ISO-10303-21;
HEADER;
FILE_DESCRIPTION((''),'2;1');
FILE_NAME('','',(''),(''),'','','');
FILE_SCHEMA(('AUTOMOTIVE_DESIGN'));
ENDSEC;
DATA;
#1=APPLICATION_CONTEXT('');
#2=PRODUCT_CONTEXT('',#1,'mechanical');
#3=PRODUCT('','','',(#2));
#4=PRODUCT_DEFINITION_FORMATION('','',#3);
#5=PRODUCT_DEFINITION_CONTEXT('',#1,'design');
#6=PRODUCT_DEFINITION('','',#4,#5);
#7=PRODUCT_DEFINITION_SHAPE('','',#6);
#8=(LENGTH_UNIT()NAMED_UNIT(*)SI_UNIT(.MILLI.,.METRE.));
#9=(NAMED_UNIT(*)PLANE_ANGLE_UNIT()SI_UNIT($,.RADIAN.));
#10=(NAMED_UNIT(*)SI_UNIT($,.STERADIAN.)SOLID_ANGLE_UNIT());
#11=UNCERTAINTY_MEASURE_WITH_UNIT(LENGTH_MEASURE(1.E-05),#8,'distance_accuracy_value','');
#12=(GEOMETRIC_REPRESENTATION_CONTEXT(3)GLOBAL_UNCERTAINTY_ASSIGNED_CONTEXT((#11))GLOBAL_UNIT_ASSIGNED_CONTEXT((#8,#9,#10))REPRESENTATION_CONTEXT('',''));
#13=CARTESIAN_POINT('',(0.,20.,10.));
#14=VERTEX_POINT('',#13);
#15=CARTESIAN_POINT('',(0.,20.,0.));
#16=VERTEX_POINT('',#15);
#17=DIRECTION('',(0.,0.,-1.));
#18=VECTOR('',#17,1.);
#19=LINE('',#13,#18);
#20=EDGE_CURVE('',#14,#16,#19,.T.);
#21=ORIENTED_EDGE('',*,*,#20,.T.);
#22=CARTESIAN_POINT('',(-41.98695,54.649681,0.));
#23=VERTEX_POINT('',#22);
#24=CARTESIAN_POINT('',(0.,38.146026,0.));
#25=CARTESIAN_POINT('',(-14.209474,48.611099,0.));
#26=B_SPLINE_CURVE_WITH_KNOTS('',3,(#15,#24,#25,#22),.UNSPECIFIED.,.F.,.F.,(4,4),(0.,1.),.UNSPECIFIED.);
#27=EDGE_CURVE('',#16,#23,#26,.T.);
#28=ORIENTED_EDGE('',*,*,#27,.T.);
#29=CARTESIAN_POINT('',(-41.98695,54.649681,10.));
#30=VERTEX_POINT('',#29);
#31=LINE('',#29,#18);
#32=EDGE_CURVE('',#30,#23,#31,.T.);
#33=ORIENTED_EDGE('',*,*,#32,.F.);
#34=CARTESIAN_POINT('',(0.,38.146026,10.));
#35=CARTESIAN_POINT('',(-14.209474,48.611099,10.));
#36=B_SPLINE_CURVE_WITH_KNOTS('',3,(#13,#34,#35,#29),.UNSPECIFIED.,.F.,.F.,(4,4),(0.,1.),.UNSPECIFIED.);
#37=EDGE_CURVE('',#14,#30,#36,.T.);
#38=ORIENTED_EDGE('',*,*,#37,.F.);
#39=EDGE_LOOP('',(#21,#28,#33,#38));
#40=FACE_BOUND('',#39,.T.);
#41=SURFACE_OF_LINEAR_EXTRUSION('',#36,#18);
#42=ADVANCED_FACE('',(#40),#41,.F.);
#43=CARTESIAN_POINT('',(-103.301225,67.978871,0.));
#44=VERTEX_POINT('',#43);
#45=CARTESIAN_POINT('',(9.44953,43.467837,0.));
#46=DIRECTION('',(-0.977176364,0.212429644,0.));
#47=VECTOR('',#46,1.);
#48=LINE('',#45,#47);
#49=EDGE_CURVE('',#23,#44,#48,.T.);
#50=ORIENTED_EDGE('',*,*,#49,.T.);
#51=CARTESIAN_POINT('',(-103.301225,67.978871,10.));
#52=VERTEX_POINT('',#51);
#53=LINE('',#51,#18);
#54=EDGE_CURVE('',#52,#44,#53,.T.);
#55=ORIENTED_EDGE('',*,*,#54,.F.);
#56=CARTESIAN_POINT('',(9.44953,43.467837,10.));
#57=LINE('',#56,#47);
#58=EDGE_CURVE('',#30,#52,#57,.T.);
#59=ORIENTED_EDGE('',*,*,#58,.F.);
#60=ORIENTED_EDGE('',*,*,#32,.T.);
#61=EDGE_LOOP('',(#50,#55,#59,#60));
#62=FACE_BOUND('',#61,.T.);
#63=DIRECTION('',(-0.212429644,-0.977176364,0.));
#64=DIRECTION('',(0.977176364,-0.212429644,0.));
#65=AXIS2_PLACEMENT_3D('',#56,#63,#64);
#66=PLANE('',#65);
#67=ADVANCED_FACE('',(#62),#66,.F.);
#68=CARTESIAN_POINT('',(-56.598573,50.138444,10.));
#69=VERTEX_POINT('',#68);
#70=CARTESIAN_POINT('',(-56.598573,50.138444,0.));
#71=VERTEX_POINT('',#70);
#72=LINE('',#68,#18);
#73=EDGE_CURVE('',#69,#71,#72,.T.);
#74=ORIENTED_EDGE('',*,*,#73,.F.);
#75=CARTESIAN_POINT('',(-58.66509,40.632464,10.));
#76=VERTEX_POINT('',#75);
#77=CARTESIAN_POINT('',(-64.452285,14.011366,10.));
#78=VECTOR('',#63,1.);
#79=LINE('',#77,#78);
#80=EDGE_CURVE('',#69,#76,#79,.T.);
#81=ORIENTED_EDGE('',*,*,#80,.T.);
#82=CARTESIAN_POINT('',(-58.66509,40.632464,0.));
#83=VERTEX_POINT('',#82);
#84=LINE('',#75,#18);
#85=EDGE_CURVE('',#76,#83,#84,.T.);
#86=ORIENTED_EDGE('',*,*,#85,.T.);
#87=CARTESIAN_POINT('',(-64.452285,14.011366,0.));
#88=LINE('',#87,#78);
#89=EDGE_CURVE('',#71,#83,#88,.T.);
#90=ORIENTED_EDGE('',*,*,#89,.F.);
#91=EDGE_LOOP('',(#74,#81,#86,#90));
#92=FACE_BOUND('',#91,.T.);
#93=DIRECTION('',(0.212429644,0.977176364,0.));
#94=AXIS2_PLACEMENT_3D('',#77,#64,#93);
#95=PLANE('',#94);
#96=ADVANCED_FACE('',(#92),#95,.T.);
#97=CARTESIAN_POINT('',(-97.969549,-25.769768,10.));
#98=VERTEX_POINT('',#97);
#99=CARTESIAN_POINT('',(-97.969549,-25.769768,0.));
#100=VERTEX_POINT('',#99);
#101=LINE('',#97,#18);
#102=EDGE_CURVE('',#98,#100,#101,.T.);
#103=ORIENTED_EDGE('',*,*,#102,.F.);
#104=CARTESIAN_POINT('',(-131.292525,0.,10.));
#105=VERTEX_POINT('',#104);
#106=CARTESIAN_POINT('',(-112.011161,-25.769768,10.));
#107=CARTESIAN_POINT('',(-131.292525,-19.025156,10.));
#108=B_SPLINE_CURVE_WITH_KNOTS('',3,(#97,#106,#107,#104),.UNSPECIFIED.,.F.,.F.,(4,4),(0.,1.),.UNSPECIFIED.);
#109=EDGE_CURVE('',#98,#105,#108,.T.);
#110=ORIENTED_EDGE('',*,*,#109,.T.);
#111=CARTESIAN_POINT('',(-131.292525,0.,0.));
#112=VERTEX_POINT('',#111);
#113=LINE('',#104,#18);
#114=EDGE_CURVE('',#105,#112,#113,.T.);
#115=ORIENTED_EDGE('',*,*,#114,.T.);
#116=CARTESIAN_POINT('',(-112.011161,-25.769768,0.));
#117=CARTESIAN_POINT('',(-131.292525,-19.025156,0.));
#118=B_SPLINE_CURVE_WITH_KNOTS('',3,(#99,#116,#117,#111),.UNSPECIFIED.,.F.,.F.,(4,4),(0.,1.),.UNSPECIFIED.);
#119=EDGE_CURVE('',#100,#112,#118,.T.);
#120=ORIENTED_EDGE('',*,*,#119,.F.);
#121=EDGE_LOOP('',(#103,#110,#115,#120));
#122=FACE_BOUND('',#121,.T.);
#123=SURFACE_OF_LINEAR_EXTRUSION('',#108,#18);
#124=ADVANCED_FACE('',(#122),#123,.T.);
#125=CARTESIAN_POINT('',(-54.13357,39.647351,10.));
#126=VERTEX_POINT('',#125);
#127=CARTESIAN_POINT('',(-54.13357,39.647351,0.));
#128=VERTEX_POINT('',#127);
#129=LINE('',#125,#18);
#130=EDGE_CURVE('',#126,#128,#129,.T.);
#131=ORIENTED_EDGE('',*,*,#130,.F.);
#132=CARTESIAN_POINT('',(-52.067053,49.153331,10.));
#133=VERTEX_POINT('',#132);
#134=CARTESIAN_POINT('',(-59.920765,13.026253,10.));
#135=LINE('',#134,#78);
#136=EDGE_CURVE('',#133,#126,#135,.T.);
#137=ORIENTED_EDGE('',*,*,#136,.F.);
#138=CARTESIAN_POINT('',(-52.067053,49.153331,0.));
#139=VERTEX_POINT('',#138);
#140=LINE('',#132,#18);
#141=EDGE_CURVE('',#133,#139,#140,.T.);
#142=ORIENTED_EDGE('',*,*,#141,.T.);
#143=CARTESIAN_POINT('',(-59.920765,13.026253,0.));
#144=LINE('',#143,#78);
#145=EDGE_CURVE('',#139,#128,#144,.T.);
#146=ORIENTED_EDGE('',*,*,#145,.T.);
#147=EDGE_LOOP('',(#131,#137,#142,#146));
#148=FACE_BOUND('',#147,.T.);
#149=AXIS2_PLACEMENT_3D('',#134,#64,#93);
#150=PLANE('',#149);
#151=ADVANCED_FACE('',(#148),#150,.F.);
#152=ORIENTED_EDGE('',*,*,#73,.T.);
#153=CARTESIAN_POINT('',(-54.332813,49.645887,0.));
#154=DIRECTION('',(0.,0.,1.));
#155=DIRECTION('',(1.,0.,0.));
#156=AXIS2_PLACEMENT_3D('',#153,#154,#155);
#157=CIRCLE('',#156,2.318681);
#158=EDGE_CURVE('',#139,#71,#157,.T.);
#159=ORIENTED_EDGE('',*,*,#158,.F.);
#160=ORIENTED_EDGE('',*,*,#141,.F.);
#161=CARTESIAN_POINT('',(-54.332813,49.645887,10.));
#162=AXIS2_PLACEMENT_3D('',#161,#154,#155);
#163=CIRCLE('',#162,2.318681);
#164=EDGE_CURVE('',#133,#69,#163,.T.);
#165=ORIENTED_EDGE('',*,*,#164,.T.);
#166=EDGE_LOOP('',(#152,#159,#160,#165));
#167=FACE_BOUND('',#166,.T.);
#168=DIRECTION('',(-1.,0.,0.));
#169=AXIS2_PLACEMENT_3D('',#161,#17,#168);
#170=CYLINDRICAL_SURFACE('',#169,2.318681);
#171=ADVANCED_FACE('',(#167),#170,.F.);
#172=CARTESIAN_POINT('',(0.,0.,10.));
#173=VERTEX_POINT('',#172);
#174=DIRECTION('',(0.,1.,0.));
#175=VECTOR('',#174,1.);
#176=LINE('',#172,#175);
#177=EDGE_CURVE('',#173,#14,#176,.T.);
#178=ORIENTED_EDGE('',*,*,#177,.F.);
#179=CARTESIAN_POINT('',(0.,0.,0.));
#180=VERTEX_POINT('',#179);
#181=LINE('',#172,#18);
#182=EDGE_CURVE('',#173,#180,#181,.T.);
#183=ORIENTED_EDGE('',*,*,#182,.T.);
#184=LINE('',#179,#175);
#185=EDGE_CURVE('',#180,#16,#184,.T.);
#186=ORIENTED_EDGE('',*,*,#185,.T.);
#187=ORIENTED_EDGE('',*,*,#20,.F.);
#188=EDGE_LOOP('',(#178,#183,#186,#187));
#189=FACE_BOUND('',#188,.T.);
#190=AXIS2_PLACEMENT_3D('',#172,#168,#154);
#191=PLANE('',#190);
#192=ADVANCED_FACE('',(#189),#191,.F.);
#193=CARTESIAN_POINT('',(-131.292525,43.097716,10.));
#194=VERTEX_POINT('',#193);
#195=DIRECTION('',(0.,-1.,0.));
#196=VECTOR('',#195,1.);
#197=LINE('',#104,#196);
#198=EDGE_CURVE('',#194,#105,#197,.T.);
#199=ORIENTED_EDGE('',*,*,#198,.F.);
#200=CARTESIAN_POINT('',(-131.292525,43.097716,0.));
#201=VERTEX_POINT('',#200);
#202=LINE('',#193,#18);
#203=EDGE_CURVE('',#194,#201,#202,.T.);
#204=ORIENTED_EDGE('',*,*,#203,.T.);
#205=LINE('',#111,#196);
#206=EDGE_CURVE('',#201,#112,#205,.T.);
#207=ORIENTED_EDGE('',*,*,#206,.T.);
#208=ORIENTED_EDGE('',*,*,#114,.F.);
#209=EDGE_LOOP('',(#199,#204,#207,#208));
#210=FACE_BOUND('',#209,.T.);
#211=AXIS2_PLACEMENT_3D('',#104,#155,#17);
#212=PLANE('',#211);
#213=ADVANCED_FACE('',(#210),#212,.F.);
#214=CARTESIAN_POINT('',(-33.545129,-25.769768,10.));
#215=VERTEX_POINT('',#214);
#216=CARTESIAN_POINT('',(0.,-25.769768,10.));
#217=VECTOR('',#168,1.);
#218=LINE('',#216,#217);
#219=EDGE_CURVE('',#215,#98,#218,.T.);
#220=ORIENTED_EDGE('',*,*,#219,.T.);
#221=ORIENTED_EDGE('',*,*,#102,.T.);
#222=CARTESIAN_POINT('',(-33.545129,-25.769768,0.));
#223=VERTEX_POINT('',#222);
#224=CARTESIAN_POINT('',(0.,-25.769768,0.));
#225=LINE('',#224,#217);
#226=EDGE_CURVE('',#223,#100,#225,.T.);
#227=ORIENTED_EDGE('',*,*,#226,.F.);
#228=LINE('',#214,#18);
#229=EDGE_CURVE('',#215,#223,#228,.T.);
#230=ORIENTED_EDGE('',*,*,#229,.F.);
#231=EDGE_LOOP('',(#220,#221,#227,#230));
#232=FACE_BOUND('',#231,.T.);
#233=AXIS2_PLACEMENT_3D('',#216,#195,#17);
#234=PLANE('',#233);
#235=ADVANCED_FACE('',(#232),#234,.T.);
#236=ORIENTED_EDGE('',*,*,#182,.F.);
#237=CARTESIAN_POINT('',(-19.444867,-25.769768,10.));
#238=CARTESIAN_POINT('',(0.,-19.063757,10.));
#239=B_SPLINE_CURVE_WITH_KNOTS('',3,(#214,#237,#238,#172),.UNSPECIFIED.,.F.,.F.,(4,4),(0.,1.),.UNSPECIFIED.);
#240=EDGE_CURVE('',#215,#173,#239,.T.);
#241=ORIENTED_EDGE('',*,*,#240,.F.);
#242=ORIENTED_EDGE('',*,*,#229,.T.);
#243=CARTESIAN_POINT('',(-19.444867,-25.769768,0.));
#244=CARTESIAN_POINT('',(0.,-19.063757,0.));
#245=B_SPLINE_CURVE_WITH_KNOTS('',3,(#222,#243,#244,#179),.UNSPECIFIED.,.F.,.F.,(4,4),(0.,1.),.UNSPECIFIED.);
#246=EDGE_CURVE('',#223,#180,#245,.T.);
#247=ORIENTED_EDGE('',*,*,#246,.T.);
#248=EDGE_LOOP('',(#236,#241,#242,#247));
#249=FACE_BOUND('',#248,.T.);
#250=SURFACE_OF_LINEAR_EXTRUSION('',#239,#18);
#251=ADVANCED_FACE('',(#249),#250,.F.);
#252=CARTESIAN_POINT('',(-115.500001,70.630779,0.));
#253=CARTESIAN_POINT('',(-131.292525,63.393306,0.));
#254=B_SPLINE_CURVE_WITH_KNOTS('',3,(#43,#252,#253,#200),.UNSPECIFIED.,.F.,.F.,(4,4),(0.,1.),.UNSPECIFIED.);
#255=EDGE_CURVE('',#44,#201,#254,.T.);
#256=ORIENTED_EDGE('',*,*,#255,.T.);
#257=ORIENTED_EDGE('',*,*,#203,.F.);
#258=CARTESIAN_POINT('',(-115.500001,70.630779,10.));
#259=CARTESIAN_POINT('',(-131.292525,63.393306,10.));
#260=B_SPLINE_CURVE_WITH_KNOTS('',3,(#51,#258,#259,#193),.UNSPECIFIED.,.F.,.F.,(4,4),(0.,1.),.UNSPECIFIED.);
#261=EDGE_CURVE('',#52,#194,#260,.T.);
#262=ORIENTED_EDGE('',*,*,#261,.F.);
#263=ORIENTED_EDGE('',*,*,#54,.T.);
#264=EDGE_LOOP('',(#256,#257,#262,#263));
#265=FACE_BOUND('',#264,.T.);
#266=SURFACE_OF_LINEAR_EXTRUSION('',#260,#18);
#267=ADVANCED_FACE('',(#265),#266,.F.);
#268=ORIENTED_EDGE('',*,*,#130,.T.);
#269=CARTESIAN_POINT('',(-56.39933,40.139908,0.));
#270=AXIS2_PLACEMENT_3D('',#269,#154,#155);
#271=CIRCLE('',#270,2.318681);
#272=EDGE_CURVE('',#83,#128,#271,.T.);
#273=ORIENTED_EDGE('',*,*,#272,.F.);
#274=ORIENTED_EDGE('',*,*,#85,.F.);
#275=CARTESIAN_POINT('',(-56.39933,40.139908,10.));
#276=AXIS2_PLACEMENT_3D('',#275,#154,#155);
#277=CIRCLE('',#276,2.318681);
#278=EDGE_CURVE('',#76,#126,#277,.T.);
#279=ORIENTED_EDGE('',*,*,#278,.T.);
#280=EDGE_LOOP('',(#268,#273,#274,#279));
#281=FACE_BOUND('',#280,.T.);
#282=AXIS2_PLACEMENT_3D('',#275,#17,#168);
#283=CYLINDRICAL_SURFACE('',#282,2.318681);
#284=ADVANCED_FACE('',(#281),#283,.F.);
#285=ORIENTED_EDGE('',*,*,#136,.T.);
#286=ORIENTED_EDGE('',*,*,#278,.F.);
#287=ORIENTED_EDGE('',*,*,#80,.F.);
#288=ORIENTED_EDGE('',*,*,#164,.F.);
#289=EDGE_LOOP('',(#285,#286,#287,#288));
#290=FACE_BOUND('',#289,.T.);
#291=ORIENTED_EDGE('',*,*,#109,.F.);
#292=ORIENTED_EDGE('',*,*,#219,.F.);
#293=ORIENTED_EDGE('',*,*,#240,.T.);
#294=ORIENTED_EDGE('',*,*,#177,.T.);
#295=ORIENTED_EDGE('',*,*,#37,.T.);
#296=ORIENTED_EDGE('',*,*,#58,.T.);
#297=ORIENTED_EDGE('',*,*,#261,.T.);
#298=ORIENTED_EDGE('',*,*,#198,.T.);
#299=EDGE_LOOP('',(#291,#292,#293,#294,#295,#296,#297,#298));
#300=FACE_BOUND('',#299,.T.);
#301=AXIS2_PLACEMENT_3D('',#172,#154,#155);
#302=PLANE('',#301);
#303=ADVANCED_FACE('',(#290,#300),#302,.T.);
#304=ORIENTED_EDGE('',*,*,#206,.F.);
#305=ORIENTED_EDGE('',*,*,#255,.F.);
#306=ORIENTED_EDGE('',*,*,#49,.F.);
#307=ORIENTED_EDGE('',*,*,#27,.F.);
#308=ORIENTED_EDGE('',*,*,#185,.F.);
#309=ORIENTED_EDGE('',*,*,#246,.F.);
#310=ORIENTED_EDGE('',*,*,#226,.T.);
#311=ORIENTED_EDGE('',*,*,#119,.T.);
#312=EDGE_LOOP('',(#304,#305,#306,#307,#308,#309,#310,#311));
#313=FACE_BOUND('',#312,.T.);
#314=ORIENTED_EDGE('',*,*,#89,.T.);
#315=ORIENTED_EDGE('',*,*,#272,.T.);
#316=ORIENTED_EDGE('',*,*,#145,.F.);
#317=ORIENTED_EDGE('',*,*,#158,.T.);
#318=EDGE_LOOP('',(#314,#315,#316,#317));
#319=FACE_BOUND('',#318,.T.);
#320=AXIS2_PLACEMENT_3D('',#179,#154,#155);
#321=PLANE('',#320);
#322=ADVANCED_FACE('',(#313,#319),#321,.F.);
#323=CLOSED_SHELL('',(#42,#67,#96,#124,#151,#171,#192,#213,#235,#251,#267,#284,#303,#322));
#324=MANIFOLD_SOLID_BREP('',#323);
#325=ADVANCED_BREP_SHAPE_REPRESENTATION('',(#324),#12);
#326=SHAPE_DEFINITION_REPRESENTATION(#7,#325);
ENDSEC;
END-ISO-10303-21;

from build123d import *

# Parameters (mm, degrees)
EXTRUDE_1_DEPTH = 10


with BuildPart() as part:
    # Эскиз1_fr → Бобышка-Вытянуть1 (new body)
    with BuildSketch(Plane.XY):
        with BuildLine():
            add(Edge.make_bspline(
                [(-97.969549234, -25.769768053), (-112.011160689, -25.769768053), (-131.292525164, -19.025155818), (-131.292525164, 0)],
                knots=[0, 0, 0, 0, 1, 1, 1, 1], degree=3))
            Line((-131.292525164, 0), (-131.292525164, 43.097715536))
            add(Edge.make_bspline(
                [(-103.301225383, 67.978870897), (-115.500001367, 70.63077872), (-131.292525164, 63.393306184), (-131.292525164, 43.097715536)],
                knots=[0, 0, 0, 0, 1, 1, 1, 1], degree=3))
            Line((-103.301225383, 67.978870897), (-41.986949672, 54.649680525))
            add(Edge.make_bspline(
                [(0, 20), (0, 38.146025899), (-14.209474182, 48.611098897), (-41.986949672, 54.649680525)],
                knots=[0, 0, 0, 0, 1, 1, 1, 1], degree=3))
            Line((0, 20), (0, 0))
            add(Edge.make_bspline(
                [(-33.545129103, -25.769768053), (-19.444866568, -25.769768053), (0, -19.063757455), (0, 0)],
                knots=[0, 0, 0, 0, 1, 1, 1, 1], degree=3))
            Line((-33.545129103, -25.769768053), (-97.969549234, -25.769768053))
        make_face()
        with BuildLine():
            ThreePointArc((-58.66509027, 40.632464429), (-56.891886772, 37.874147876), (-54.133570218, 39.647351375))
            Line((-54.133570218, 39.647351375), (-52.067053016, 49.153330507))
            ThreePointArc((-52.067053016, 49.153330507), (-53.840256514, 51.91164706), (-56.598573068, 50.138443562))
            Line((-56.598573068, 50.138443562), (-58.66509027, 40.632464429))
        make_face(mode=Mode.SUBTRACT)
    extrude(amount=EXTRUDE_1_DEPTH)


solid = part.part
